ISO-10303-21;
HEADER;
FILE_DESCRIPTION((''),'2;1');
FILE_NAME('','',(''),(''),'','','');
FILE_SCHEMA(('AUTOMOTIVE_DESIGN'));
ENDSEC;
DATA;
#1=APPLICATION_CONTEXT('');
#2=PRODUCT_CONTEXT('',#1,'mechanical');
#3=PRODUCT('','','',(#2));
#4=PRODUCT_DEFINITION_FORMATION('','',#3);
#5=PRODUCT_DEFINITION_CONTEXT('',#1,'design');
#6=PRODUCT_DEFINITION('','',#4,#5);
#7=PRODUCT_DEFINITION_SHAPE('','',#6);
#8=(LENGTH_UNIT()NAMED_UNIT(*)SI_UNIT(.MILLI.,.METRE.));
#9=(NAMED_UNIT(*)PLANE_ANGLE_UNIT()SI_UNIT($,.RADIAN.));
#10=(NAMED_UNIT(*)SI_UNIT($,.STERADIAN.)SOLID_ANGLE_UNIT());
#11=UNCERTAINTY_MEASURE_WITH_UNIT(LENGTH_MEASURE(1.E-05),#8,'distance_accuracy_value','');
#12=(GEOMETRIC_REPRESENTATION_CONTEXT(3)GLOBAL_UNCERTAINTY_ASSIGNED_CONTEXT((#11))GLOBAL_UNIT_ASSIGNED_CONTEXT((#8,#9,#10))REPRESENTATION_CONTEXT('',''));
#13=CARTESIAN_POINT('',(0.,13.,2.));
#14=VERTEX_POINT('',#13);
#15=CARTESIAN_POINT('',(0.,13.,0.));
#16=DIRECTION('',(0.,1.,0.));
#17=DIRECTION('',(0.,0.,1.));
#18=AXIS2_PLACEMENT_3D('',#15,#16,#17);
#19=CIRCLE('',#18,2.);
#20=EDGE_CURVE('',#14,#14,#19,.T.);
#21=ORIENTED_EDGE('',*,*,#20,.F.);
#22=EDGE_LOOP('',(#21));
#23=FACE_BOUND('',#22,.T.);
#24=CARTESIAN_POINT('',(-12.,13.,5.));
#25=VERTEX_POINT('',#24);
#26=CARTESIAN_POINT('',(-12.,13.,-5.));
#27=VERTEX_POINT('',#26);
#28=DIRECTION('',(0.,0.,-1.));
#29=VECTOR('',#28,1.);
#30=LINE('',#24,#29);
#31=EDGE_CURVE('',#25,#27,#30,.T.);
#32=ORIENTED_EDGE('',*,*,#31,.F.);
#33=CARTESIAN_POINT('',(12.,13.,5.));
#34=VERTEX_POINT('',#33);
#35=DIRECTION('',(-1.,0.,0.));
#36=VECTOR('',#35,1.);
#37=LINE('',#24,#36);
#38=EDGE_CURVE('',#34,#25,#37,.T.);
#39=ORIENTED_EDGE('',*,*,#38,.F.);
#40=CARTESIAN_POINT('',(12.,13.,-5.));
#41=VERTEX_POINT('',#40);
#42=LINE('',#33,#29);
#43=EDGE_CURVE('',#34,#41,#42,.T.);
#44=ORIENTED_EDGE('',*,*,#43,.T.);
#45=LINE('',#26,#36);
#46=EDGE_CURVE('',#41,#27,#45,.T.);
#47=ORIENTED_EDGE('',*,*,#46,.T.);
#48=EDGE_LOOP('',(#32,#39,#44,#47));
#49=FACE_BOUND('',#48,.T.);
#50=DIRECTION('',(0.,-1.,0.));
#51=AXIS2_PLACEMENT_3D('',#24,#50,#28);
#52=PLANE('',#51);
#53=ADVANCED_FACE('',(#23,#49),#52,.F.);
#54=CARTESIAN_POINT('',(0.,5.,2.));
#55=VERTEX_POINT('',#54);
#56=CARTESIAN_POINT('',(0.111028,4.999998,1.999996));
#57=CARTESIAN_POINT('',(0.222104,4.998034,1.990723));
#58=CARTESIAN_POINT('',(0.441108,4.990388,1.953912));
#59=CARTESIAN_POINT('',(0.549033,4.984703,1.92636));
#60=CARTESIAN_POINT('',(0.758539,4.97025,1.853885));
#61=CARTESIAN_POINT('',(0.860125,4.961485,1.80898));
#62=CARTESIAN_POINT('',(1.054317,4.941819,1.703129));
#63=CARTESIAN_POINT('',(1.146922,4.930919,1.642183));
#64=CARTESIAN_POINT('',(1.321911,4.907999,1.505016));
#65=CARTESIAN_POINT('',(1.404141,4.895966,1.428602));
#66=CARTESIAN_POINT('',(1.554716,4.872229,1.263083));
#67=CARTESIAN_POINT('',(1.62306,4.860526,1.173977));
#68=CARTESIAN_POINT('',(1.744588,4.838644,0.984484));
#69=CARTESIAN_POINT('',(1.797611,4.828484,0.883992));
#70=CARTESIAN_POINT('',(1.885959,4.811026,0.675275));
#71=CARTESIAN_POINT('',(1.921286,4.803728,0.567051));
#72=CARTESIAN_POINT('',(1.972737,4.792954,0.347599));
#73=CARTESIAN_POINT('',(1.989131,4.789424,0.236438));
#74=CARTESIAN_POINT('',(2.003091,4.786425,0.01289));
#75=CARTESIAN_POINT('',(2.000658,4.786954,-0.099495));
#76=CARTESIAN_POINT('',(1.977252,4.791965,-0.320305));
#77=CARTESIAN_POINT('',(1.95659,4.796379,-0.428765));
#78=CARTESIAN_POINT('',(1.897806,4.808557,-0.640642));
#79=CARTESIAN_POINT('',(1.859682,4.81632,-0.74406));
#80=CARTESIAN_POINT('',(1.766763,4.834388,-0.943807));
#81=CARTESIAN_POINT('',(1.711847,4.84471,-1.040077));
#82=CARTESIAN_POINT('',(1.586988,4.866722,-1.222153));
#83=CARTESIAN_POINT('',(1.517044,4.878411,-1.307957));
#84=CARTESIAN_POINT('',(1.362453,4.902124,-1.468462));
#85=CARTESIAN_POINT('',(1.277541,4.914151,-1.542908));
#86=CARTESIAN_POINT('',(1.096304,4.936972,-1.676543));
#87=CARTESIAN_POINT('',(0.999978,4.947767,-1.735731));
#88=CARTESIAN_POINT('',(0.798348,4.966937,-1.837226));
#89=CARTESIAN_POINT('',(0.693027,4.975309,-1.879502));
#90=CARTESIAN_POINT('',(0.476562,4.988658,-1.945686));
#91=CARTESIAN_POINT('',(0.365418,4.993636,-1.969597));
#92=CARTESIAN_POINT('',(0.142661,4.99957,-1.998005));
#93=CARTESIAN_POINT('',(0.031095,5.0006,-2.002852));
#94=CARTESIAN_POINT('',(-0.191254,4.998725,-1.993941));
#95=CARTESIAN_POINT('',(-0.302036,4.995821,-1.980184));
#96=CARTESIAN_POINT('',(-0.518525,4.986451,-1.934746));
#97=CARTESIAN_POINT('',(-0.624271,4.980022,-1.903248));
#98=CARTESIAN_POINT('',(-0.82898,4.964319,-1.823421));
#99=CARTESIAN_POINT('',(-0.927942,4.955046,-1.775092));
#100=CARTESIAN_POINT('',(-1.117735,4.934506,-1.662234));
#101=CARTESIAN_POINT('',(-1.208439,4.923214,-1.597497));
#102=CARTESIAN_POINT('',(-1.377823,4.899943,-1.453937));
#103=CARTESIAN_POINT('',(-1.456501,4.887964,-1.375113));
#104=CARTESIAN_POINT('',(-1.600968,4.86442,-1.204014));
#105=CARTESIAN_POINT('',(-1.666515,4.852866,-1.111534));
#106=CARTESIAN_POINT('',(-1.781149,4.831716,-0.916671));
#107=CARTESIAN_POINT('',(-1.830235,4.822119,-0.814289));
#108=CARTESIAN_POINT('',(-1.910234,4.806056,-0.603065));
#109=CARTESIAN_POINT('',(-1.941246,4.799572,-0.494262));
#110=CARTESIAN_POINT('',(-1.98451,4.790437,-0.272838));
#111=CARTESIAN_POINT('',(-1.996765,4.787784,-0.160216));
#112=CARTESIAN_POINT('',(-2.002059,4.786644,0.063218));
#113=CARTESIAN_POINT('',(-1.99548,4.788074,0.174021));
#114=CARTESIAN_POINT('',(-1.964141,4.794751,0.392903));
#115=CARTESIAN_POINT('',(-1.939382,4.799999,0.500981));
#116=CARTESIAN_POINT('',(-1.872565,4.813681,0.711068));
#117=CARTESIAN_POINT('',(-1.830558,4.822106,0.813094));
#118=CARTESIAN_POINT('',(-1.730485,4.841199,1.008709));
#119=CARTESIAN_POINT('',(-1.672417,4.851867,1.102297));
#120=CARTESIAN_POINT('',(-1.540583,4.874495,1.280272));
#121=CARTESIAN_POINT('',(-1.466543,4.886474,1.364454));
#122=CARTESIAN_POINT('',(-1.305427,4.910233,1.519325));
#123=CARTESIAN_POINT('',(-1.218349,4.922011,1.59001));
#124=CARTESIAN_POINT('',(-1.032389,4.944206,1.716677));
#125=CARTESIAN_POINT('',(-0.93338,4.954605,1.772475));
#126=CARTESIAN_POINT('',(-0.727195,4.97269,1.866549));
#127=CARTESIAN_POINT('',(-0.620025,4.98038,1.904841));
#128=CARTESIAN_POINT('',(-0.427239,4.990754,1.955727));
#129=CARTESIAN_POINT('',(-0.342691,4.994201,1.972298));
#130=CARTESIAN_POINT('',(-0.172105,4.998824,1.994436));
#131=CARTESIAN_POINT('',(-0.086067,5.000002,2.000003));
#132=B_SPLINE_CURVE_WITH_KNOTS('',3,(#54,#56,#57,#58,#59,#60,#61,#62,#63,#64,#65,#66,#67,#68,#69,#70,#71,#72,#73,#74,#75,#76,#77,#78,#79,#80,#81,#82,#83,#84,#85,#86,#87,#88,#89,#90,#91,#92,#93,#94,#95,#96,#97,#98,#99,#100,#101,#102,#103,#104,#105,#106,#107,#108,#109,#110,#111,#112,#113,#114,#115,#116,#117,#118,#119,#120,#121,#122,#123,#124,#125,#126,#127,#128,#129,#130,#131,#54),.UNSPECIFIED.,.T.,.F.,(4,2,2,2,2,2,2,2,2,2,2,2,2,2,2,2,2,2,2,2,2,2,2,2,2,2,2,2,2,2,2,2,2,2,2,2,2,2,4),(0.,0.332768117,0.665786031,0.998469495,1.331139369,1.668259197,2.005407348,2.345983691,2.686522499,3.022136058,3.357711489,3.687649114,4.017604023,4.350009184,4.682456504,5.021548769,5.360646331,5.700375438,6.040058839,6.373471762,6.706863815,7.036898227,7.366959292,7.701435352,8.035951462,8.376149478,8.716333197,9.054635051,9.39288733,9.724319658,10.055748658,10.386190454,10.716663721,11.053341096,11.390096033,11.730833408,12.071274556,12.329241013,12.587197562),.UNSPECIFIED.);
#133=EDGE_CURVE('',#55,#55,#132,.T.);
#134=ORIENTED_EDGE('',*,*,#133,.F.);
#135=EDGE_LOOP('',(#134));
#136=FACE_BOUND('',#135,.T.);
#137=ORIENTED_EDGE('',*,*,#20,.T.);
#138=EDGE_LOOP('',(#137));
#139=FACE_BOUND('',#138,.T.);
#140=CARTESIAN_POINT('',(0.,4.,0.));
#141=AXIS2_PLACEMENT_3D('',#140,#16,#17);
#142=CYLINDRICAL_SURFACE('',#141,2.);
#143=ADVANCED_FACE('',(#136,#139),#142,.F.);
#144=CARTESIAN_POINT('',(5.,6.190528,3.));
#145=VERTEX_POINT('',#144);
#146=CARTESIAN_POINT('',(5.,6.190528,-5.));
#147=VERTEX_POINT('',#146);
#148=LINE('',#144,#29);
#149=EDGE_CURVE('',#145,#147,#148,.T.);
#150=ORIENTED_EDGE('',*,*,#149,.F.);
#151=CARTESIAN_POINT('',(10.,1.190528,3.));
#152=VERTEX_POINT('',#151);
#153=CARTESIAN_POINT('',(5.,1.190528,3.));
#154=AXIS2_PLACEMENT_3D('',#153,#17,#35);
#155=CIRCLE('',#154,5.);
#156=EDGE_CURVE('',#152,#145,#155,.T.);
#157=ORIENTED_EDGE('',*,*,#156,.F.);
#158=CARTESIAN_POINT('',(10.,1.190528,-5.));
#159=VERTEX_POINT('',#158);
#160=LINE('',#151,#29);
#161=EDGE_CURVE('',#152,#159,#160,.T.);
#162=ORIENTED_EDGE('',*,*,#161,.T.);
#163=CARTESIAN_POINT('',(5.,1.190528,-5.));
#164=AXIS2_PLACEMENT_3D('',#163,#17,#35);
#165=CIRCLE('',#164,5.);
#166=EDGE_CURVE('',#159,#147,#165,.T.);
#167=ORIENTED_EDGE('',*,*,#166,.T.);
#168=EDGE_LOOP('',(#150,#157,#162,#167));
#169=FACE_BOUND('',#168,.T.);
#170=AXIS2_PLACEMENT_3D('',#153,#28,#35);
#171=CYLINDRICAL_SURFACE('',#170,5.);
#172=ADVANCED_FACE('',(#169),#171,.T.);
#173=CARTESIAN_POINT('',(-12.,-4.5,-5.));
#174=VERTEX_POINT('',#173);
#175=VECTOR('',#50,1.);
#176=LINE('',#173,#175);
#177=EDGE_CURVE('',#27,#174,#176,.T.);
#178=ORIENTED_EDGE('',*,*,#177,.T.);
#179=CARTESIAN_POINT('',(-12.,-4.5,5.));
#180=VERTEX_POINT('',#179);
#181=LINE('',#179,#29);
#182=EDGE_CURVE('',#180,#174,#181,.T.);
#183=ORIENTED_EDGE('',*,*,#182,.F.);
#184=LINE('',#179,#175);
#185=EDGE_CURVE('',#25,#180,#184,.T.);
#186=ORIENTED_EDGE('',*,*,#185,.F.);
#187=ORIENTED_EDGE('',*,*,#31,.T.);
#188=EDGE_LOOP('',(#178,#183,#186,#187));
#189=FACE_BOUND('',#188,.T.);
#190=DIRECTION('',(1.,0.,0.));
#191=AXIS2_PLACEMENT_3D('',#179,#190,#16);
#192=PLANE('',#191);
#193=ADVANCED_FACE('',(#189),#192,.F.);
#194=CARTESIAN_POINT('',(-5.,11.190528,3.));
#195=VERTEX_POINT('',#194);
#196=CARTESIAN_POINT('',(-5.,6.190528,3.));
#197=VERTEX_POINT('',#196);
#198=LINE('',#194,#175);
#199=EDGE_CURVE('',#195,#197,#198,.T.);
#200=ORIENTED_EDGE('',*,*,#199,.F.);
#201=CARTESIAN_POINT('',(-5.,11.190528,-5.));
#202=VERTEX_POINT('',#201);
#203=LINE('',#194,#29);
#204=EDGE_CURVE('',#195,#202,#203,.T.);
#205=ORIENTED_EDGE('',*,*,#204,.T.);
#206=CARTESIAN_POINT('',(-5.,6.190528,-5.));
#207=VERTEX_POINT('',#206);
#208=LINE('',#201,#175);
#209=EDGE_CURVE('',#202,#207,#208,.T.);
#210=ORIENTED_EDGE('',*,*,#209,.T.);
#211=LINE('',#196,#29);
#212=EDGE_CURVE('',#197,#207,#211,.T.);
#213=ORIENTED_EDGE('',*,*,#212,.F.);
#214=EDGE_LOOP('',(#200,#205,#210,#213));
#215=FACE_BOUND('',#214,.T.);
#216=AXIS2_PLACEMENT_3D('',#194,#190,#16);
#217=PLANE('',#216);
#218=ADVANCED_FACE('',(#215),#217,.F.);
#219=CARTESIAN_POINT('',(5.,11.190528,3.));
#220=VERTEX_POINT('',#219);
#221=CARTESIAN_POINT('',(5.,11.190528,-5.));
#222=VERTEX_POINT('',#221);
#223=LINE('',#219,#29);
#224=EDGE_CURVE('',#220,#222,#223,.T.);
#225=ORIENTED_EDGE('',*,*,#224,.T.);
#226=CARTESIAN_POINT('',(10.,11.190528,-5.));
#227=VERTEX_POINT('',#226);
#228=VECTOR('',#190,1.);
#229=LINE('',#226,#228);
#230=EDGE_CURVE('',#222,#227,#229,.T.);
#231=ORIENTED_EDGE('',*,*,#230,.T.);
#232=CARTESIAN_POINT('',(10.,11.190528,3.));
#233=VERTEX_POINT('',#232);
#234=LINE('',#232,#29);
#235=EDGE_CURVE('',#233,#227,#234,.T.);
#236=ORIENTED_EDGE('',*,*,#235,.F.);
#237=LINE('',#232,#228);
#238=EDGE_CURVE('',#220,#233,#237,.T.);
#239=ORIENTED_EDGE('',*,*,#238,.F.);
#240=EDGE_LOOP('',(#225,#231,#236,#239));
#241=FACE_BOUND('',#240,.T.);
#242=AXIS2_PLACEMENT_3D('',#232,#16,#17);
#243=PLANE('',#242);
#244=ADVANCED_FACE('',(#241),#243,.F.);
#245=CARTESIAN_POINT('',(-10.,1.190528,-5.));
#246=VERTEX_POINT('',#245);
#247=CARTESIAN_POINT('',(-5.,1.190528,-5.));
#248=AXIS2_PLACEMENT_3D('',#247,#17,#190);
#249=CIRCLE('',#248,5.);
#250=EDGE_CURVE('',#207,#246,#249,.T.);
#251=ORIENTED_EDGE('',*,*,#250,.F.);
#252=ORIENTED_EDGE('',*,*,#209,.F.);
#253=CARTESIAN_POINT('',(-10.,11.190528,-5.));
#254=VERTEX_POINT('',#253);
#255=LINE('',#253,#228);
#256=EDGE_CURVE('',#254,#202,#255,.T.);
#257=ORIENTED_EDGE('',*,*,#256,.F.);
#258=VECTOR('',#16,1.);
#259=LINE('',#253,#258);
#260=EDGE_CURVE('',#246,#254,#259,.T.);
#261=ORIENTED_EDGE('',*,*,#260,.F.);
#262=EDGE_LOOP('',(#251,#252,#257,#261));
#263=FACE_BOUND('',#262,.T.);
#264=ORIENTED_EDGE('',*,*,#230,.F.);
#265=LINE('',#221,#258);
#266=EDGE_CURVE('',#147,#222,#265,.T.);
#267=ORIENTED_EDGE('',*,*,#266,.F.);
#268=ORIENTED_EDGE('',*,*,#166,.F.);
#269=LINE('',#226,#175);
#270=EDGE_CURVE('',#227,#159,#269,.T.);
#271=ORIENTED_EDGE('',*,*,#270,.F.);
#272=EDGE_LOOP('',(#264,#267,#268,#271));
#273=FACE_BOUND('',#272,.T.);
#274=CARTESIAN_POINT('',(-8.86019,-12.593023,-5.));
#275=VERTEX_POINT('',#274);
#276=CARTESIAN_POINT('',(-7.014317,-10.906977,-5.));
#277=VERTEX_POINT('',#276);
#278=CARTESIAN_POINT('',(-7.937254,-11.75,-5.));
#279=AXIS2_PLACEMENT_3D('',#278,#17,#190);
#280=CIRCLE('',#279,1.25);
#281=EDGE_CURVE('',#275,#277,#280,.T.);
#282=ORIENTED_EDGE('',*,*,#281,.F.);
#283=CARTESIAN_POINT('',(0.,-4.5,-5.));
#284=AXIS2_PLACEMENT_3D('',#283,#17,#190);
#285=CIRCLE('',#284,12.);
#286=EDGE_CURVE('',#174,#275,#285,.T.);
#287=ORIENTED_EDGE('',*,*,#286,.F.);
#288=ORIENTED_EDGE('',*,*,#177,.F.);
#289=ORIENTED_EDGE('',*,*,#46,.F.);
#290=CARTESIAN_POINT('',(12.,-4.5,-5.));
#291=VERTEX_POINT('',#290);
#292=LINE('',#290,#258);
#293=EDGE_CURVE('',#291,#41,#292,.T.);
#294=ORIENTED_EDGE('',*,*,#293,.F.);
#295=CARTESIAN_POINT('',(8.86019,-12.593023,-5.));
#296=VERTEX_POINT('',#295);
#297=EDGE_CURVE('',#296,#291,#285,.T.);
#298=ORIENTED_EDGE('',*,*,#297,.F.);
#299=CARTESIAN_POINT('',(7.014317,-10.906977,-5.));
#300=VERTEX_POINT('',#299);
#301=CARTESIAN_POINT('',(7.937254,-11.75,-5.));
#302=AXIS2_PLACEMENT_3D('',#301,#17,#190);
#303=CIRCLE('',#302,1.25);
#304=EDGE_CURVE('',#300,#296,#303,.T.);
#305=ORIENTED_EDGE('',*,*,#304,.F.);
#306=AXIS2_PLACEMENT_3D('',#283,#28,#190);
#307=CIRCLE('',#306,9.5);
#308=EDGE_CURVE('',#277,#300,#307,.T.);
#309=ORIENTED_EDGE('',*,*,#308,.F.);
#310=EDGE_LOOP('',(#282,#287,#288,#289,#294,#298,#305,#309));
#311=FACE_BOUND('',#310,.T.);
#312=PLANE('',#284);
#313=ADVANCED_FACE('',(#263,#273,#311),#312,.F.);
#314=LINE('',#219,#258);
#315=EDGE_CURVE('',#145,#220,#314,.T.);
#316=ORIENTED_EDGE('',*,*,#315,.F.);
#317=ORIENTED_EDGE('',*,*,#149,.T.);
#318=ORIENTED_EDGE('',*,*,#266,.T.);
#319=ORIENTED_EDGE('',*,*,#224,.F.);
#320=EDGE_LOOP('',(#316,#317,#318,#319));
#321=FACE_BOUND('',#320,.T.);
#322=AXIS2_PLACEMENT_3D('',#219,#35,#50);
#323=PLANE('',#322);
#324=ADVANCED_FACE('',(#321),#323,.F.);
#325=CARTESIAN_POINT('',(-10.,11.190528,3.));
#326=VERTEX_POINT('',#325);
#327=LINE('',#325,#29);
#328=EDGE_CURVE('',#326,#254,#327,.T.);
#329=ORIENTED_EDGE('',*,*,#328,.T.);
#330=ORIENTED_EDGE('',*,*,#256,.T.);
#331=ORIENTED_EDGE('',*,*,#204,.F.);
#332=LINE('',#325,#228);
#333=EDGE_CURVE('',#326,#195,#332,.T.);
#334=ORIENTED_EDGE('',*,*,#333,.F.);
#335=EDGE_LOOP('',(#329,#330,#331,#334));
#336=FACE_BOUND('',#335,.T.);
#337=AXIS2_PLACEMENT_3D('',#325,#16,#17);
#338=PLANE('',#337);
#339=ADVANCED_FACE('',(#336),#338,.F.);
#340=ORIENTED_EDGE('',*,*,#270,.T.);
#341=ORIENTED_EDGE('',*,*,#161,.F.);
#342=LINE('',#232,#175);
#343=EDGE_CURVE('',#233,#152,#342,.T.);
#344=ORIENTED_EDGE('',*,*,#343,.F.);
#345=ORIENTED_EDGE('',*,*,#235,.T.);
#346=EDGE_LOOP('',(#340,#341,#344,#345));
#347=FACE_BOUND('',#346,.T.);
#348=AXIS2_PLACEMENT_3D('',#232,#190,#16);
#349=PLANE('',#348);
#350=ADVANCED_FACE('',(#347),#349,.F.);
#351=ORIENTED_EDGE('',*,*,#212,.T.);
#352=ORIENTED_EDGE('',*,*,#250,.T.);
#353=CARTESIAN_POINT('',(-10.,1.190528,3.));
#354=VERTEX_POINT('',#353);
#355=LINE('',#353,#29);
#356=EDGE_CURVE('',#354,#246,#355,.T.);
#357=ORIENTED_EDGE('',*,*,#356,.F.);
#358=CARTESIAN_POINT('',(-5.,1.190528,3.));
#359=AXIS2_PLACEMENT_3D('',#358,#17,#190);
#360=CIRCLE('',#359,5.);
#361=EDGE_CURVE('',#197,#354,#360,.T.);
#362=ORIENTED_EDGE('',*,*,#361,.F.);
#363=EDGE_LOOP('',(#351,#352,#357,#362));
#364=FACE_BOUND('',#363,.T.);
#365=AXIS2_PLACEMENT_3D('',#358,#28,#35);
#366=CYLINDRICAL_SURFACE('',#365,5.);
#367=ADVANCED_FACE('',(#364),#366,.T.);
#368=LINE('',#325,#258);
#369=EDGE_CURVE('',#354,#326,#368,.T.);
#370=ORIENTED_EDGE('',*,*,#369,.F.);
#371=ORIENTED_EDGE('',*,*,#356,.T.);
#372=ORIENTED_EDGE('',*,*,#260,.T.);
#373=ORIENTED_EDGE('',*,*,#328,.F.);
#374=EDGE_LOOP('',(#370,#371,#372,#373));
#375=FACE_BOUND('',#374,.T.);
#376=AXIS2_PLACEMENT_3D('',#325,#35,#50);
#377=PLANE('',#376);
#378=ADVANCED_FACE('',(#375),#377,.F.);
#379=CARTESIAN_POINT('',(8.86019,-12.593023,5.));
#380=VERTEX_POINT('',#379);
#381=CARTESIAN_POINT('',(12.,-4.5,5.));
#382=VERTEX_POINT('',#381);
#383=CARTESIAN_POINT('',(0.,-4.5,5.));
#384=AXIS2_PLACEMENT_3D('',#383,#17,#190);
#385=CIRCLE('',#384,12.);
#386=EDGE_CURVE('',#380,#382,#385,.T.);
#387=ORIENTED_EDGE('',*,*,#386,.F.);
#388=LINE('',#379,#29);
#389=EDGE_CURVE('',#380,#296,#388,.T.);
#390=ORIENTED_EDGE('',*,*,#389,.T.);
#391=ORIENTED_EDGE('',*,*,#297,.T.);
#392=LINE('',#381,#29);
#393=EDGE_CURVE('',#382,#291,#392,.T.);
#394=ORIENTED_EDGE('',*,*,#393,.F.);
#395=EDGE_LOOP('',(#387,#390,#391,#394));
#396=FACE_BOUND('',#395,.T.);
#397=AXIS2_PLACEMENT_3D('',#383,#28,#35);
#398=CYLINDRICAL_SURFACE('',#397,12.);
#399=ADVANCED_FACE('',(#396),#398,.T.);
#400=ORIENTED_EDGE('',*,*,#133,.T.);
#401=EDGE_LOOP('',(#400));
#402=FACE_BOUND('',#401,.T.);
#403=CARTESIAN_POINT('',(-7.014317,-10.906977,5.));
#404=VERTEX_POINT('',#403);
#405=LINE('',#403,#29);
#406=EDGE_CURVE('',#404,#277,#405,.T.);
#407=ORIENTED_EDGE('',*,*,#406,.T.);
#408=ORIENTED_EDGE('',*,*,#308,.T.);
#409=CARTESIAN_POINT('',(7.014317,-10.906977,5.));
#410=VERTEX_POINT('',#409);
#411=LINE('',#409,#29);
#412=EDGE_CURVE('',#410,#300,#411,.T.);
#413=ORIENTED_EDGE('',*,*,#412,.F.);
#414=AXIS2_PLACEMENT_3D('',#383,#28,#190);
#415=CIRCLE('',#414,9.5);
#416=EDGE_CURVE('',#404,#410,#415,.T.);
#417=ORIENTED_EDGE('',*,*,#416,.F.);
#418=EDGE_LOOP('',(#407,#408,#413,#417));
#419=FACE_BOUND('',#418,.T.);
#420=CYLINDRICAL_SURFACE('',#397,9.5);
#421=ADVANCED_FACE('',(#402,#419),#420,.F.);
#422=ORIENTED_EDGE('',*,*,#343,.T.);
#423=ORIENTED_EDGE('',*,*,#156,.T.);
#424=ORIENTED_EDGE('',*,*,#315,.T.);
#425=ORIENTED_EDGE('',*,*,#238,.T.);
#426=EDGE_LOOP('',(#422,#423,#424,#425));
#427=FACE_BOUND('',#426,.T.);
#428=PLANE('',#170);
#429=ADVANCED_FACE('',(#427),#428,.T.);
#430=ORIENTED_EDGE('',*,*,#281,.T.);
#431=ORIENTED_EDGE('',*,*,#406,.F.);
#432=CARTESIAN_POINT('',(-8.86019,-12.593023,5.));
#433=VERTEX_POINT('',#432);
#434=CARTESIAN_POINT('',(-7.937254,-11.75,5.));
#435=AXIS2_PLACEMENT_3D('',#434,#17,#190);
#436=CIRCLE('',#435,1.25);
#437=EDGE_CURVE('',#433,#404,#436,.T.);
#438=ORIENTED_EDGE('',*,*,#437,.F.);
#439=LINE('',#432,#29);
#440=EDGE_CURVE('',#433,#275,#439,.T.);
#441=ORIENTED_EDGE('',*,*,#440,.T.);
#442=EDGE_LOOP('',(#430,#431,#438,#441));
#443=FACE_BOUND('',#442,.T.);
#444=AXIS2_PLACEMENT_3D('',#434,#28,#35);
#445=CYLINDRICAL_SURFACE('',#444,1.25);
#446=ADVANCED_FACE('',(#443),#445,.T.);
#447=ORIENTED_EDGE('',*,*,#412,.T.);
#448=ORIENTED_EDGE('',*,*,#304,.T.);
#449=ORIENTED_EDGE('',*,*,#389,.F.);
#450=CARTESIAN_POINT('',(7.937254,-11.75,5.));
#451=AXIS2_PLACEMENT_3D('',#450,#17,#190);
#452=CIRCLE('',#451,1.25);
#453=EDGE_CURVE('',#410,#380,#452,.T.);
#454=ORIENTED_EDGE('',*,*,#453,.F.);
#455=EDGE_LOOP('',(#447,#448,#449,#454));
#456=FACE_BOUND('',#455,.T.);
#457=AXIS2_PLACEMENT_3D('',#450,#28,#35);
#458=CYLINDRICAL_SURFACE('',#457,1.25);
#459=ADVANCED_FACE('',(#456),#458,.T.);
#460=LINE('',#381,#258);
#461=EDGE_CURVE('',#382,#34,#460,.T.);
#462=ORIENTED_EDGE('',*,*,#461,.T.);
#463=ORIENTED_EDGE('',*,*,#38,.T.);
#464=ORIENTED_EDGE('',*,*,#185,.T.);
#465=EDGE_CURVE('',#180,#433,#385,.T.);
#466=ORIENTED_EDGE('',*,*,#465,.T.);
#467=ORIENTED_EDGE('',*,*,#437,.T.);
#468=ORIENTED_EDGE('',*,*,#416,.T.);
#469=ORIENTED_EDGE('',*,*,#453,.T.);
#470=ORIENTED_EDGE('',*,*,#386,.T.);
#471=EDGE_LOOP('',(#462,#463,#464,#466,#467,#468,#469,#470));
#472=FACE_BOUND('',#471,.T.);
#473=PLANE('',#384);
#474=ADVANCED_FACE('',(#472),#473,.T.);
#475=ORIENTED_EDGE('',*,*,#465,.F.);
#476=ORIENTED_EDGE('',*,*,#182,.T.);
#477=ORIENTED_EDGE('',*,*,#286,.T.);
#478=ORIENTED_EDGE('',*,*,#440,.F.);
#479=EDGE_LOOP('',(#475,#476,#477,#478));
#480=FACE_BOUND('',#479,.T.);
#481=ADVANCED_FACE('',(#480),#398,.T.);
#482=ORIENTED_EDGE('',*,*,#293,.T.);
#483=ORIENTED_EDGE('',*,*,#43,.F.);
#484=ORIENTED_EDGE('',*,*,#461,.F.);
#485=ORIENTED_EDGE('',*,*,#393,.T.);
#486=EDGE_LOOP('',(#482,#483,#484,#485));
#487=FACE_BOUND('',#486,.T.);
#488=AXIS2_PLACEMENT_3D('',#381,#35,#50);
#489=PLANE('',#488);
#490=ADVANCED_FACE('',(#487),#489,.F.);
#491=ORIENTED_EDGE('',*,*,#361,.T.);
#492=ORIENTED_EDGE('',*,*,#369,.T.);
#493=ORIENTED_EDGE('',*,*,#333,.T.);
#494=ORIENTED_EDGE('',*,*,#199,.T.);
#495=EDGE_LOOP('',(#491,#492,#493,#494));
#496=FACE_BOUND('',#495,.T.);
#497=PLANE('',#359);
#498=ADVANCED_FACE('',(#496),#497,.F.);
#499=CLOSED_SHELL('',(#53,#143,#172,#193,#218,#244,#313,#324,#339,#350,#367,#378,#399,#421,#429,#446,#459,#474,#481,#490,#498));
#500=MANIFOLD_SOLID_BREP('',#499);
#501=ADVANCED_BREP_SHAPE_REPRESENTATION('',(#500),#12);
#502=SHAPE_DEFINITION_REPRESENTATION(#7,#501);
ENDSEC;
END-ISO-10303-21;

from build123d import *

# Parameters (mm, degrees)
BOSS_EXTRUDE2_DEPTH = 5
SKETCH5_R           = 2
CUT_EXTRUDE1_DEPTH  = 9
CUT_EXTRUDE2_DEPTH  = 8


with BuildPart() as part:
    # Sketch3 → Boss-Extrude2 (new, symmetric)
    with BuildSketch(Plane.XY):
        with BuildLine():
            Line((-12, -4.5), (-12, 13))
            Line((-12, 13), (12, 13))
            Line((12, 13), (12, -4.5))
            ThreePointArc((12, -4.5), (11.187544084, -8.840375258), (8.860190437, -12.593023256))
            ThreePointArc((8.860190437, -12.593023256), (7.094230677, -12.672936504), (7.014317429, -10.906976744))
            ThreePointArc((7.014317429, -10.906976744), (0, 5), (-7.014317429, -10.906976744))
            ThreePointArc((-7.014317429, -10.906976744), (-7.094230677, -12.672936504), (-8.860190437, -12.593023256))
            ThreePointArc((-8.860190437, -12.593023256), (-11.187544084, -8.840375258), (-12, -4.5))
        make_face()
    extrude(amount=BOSS_EXTRUDE2_DEPTH, both=True)

    # Sketch5 → Cut-Extrude1 (cut)
    with BuildSketch(Plane(origin=(0, 13, 0), x_dir=(1, 0, 0), z_dir=(0, 1, 0))):
        with Locations(Location((0, 0, 0), (0, 0, 270))):
            Circle(SKETCH5_R)
    extrude(amount=-CUT_EXTRUDE1_DEPTH, mode=Mode.SUBTRACT)

    # Sketch7 → Cut-Extrude2 (cut)
    with BuildSketch(Plane(origin=(0, 0, -5), x_dir=(-1, 0, 0), z_dir=(0, 0, -1))):
        with BuildLine():
            Line((10, 11.190527755), (10, 1.190527755))
            ThreePointArc((10, 1.190527755), (8.535533906, 4.726061661), (5, 6.190527755))
            Line((5, 6.190527755), (5, 11.190527755))
            Line((5, 11.190527755), (10, 11.190527755))
        make_face()
        with BuildLine():
            Line((-10, 11.190527755), (-10, 1.190527755))
            ThreePointArc((-10, 1.190527755), (-8.535533906, 4.726061661), (-5, 6.190527755))
            Line((-5, 6.190527755), (-5, 11.190527755))
            Line((-5, 11.190527755), (-10, 11.190527755))
        make_face()
    extrude(amount=-CUT_EXTRUDE2_DEPTH, mode=Mode.SUBTRACT)


solid = part.part
